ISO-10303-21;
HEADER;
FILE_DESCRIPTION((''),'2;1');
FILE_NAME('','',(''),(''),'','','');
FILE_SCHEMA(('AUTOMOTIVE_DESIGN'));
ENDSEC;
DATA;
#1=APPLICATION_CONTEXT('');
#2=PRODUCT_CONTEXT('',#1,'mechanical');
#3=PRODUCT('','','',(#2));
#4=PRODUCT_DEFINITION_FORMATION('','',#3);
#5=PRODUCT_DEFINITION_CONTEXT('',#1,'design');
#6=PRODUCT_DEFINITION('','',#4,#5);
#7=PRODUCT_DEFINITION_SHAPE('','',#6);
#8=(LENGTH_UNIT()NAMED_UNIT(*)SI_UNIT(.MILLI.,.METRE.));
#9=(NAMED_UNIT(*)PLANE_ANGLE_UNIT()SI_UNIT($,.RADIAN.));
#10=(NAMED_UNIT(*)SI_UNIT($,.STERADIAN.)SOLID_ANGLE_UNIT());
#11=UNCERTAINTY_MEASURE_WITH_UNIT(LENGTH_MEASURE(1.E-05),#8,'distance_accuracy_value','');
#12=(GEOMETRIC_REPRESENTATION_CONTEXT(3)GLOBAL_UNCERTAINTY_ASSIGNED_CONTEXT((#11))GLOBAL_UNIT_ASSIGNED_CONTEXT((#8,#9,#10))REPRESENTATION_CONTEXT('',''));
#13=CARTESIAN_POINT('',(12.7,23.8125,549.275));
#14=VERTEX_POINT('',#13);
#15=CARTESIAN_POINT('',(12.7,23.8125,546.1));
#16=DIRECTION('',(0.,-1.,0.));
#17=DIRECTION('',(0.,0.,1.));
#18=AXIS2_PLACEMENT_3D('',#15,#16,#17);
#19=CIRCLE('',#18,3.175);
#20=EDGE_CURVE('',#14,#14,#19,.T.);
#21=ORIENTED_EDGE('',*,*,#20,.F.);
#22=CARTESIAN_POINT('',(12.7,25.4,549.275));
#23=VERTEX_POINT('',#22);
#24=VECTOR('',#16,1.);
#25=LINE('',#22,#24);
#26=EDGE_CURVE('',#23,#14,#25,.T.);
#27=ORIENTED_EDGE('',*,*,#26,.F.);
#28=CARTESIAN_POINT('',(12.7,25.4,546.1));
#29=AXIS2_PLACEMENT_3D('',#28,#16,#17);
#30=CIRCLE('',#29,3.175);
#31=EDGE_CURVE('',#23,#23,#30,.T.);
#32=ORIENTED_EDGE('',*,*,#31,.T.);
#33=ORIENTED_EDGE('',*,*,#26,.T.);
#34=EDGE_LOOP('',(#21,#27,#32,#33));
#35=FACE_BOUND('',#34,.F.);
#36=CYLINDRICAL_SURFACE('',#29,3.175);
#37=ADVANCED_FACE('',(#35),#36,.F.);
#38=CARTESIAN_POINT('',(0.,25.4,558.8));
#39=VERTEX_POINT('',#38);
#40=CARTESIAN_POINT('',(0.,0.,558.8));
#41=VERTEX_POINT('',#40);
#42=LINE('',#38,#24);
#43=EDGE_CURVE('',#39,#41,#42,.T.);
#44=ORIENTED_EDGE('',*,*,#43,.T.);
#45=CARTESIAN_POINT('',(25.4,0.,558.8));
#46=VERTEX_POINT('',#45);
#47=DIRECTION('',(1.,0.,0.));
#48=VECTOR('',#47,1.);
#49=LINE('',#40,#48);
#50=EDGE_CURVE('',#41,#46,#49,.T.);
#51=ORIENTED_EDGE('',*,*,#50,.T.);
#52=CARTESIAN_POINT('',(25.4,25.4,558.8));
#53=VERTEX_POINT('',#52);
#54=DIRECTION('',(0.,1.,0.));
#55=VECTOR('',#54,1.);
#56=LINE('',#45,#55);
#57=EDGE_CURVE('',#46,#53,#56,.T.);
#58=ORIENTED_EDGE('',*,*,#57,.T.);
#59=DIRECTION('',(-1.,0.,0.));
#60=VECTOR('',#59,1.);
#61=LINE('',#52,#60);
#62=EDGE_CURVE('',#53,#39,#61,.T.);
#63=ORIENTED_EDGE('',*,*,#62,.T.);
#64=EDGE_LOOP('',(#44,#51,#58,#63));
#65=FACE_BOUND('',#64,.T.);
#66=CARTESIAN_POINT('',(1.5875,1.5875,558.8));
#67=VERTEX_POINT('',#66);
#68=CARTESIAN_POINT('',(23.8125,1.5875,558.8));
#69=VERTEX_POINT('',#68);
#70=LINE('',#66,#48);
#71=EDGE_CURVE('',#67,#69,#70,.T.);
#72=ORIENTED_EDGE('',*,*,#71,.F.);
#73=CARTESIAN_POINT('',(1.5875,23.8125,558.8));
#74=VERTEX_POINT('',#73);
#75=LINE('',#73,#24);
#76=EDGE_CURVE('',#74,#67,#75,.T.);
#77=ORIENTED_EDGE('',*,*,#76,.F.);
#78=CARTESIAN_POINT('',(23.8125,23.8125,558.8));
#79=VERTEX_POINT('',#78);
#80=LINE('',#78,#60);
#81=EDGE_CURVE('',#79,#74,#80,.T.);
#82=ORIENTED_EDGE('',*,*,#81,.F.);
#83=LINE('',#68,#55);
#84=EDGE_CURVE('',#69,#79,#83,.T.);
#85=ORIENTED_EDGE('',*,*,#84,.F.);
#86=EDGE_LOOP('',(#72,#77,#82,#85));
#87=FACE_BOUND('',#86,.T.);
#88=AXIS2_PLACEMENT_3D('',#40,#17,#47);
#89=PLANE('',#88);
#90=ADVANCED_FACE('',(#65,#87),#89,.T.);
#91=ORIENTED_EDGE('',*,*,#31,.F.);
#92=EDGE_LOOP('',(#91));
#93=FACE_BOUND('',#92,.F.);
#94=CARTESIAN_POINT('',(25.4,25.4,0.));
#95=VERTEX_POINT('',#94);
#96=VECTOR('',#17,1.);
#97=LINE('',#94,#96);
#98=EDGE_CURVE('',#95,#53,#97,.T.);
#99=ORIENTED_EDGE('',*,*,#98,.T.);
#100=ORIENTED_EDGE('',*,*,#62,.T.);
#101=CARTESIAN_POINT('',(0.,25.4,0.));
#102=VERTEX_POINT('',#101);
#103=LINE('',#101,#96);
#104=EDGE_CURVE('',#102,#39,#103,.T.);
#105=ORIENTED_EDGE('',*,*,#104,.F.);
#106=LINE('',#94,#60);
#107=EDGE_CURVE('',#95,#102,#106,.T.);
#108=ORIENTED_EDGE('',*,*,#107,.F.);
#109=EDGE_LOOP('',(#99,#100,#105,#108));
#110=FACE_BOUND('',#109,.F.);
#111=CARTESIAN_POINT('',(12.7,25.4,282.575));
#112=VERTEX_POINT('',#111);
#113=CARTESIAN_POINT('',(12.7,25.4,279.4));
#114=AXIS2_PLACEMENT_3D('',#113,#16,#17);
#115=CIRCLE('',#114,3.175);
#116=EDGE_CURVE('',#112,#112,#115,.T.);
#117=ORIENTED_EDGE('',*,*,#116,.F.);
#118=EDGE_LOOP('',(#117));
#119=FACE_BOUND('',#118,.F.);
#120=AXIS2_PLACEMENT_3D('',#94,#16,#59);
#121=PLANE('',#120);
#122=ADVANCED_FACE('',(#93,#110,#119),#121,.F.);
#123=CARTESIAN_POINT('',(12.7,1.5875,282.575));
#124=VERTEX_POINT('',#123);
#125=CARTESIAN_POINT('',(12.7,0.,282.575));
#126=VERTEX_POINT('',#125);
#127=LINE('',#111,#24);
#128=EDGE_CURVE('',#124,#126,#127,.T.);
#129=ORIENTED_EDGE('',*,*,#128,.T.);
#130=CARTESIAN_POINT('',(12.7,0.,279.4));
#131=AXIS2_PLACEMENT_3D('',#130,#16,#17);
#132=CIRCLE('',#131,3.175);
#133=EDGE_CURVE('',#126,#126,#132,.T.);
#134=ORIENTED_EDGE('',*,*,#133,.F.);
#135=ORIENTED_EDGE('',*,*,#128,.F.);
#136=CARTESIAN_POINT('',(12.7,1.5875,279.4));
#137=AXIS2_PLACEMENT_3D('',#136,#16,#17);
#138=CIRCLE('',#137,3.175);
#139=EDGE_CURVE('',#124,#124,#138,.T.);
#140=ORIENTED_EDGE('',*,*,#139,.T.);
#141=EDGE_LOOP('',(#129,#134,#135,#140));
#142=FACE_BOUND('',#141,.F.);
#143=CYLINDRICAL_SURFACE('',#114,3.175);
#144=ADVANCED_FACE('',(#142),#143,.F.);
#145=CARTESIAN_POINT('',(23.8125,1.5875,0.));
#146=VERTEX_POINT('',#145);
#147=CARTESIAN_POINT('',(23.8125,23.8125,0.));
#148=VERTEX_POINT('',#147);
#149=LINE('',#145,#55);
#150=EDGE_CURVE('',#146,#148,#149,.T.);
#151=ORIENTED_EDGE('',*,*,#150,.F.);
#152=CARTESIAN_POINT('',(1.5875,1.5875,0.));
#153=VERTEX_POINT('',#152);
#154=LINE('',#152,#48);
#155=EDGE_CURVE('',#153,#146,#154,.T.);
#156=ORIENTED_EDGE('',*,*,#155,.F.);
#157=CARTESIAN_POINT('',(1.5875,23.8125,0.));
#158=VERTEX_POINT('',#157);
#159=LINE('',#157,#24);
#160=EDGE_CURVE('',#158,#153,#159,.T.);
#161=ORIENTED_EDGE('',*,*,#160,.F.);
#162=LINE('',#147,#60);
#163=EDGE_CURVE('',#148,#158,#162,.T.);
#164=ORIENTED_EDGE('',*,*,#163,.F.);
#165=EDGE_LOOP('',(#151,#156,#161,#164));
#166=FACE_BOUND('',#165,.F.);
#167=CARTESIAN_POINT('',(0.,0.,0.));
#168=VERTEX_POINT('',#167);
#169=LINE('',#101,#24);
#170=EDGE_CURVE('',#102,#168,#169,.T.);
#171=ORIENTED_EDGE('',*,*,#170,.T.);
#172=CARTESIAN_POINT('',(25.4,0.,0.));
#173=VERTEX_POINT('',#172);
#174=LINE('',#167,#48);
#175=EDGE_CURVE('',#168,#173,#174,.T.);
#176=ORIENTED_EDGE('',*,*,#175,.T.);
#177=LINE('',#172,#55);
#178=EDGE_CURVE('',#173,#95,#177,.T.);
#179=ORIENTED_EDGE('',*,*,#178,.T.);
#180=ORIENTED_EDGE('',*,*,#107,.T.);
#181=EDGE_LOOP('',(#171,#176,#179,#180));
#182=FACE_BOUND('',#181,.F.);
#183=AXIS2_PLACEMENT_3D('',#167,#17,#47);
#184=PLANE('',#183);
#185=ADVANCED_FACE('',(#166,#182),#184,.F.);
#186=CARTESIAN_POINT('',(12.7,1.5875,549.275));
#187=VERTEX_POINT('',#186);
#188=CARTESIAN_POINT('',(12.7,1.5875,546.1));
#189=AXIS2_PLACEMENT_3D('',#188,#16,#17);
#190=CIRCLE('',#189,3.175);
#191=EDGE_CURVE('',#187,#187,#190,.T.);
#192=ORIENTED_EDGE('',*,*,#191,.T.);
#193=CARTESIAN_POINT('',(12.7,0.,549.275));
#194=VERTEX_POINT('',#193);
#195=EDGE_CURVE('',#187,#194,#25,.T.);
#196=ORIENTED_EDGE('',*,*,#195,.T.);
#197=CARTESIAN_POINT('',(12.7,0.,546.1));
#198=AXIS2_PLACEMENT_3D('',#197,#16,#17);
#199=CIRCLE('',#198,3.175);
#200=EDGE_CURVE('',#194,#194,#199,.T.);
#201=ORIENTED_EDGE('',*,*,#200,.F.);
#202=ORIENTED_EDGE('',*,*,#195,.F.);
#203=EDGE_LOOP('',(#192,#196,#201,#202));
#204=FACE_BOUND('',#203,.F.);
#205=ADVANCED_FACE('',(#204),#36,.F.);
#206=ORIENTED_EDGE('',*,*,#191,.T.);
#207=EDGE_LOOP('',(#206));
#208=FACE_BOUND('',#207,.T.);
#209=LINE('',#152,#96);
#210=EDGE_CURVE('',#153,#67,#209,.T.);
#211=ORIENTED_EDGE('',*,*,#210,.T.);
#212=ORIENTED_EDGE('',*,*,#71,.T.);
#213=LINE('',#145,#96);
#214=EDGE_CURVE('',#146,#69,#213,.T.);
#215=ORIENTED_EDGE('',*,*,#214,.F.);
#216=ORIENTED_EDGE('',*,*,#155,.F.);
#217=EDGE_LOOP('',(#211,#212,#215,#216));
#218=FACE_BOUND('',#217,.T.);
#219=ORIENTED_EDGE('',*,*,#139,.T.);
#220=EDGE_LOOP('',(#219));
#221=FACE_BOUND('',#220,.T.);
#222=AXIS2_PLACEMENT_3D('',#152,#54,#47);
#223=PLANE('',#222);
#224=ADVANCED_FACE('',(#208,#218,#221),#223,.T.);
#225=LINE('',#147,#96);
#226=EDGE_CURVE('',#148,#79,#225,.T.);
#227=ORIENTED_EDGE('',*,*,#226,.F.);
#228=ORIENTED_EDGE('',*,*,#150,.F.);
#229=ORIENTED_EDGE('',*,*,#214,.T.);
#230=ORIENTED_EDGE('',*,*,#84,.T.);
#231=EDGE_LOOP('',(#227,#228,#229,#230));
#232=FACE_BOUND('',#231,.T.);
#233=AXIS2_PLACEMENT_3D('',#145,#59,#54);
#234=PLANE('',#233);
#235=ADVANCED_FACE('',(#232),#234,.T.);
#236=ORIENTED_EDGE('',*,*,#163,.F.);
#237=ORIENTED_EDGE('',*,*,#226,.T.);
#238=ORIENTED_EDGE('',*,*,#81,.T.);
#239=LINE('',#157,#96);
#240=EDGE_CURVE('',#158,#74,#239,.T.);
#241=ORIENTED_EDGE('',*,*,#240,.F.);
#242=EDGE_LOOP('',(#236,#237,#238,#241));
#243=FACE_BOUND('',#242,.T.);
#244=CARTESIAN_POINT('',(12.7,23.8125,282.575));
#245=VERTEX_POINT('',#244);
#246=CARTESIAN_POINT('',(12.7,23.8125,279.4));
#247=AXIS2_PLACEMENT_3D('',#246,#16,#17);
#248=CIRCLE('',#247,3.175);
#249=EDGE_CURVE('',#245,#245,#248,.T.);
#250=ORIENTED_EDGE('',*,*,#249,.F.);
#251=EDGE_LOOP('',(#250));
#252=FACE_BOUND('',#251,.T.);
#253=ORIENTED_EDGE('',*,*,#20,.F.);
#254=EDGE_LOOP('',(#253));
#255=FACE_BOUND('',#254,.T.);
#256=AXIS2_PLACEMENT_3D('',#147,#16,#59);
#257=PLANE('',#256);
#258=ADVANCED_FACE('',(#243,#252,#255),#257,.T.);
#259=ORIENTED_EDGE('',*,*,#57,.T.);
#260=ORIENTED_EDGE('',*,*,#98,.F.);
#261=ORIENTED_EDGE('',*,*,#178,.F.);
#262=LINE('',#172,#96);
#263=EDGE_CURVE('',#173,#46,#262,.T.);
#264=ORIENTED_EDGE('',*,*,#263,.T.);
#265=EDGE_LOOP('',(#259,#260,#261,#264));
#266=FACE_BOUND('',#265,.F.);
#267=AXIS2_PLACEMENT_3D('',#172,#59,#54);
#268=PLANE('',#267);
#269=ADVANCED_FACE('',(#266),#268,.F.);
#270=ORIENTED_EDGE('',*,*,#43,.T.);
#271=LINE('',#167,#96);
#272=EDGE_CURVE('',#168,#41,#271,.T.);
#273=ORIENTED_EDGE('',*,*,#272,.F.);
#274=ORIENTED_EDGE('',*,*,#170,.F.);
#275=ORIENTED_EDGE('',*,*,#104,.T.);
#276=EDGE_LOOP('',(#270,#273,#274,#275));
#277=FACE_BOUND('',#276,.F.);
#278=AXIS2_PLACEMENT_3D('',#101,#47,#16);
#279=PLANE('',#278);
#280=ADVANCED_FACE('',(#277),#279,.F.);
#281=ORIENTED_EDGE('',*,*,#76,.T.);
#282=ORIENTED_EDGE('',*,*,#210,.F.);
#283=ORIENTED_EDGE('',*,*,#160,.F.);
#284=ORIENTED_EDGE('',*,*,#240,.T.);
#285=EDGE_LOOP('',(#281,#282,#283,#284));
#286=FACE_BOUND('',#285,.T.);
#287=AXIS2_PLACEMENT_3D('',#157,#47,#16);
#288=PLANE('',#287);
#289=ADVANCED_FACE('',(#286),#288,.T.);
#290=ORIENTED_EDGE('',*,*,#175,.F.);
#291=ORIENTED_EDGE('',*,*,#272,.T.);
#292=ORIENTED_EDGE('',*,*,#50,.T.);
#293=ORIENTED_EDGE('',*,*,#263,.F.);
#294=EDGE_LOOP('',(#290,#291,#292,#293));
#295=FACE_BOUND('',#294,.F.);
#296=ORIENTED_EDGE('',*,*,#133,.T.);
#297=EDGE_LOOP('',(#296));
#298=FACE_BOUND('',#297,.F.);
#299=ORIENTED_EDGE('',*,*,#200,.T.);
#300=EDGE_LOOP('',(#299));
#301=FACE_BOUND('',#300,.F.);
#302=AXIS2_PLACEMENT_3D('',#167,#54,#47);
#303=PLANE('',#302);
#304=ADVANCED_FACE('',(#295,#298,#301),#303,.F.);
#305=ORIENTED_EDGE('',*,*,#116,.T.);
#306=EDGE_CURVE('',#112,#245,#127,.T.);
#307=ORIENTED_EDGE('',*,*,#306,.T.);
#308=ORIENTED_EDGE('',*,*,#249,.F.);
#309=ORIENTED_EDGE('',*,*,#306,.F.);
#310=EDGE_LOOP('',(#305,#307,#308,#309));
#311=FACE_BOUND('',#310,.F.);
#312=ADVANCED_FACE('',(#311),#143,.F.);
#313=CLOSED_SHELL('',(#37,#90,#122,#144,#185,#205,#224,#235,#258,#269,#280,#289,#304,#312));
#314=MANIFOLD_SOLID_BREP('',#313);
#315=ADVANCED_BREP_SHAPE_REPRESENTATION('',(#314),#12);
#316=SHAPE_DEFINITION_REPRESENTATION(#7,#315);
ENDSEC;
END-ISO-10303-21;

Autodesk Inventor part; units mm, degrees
ref_plane "YZ Plane" through (0, 0, 0) normal (1, 0, 0) x (0, 1, 0)
ref_plane "XZ Plane" through (0, 0, 0) normal (0, 1, 0) x (-1, 0, 0)
ref_plane "XY Plane" through (0, 0, 0) normal (0, 0, 1) x (1, 0, 0)
sketch "Sketch1" plane through (0, 0, 0) normal (0, 0, 1) x (1, 0, 0)
  line L0 (0, 0) -> (25.4, 0)
  line L1 (25.4, 0) -> (25.4, 25.4)
  line L2 (25.4, 25.4) -> (0, 25.4)
  line L3 (0, 25.4) -> (0, 0)
  line L4 (1.5875, 1.5875) -> (23.8125, 1.5875)
  line L5 (23.8125, 1.5875) -> (23.8125, 23.8125)
  line L6 (23.8125, 23.8125) -> (1.5875, 23.8125)
  line L7 (1.5875, 23.8125) -> (1.5875, 1.5875)
  dimension "d0" = 25.4
  dimension "d1" = 25.4
  dimension "d2" = 1.5875
extrude "Extrusion1" add sketch "Sketch1" along normal blind 558.8
sketch "Sketch3" plane through (0, 25.4, 0) normal (0, 1, 0) x (1, 0, 0)
  line L0 (25.4, 0) -> (0, 0) projected
  line L1 (0, 0) -> (0, -558.8) projected
  line L2 (25.4, -558.8) -> (0, -558.8) projected
  line L3 (25.4, 0) -> (25.4, -558.8) projected
  point P0 (0, 0)
  point P1 (12.7, -279.4)
  dimension "d15" = 279.4
  dimension "d16" = 558.8
  dimension "d17" = 12.7
hole "Hole2" at (12.7, 25.4, 279.4) direction (0, -1, 0) diameter 6.35 end through all clearance for "Flat Head Machine Screw (82)" size "1/4" standard "Ansi Unified Screw Threads"
sketch "Sketch4" plane through (0, 25.4, 0) normal (0, 1, 0) x (1, 0, 0)
  circle A0 centre (12.7, -279.4) radius 3.175 projected
  line L0 (25.4, 0) -> (0, 0) projected
  line L1 (0, 0) -> (0, -558.8) projected
  line L2 (25.4, -558.8) -> (0, -558.8) projected
  line L3 (25.4, 0) -> (25.4, -558.8) projected
  point P0 (0, 0)
  point P1 (12.7, -546.1)
  dimension "d25" = 12.7
  dimension "d26" = 12.7
  dimension "d27" = 12.7
hole "Hole3" at (12.7, 25.4, 546.1) direction (0, -1, 0) diameter 6.35 end through all
equation "\"d15\" = 0.5 * d16"
equation "\"d25\" = d26"
properties part number "ScissorLiftBarBottom" material "Aluminum 6061"
